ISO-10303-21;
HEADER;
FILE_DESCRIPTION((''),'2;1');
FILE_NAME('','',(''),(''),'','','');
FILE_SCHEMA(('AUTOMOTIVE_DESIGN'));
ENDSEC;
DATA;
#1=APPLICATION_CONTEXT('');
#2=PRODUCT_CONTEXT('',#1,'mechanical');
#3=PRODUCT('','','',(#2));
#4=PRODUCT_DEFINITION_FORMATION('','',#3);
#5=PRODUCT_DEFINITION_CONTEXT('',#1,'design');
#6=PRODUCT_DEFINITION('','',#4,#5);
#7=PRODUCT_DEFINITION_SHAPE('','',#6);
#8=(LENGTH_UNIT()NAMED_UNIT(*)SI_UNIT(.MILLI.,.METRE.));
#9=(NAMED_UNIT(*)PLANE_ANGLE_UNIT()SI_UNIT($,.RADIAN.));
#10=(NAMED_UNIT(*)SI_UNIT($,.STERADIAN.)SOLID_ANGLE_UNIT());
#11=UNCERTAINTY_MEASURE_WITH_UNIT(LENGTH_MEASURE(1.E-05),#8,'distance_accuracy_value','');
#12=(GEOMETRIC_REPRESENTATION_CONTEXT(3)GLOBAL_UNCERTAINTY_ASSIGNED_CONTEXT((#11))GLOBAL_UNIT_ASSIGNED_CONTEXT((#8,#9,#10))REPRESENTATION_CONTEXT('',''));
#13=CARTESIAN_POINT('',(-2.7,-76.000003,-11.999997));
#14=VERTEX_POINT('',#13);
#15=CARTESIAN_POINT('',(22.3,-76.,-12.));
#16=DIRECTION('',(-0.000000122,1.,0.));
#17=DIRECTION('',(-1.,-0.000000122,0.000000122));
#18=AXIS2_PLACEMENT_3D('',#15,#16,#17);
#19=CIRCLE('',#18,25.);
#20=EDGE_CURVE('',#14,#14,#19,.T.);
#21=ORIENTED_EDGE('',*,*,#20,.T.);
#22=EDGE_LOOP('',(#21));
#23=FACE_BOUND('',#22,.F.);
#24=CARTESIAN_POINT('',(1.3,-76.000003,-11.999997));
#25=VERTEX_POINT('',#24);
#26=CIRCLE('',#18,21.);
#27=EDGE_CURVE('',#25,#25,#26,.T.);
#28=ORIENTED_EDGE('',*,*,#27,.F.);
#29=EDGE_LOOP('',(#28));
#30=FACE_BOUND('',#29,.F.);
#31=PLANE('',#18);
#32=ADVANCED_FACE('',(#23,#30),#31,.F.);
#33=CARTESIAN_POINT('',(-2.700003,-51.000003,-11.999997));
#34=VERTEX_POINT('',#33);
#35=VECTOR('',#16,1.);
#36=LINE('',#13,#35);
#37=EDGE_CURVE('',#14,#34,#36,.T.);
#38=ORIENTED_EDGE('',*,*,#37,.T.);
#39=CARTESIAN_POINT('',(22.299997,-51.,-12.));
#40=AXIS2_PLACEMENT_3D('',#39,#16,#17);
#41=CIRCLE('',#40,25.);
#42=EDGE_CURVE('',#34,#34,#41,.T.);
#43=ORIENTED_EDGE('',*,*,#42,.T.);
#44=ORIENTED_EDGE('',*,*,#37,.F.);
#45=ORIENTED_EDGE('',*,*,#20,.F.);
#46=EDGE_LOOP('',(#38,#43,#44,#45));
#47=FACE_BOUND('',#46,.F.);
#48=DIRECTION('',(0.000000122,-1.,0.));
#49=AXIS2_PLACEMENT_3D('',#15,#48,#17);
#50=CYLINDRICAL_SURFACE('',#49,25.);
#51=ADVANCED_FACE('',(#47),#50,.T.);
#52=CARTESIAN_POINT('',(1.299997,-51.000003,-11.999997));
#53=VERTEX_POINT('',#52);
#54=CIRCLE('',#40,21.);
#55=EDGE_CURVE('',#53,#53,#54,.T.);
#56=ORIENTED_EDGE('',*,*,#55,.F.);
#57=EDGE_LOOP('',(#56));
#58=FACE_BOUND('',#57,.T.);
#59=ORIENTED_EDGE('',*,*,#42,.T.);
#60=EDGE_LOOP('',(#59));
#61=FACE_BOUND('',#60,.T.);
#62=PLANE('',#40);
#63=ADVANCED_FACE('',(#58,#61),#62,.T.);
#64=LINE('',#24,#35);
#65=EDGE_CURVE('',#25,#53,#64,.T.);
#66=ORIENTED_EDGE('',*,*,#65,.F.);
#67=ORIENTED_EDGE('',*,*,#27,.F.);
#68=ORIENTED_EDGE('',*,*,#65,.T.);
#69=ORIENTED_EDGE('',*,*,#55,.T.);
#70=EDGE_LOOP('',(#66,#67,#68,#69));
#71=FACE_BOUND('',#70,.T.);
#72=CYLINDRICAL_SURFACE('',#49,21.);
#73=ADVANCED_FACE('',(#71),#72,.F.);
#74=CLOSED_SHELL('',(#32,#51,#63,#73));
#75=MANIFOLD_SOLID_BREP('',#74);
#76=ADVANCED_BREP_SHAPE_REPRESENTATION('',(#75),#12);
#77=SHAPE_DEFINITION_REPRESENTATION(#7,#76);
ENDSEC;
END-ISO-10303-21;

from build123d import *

# Parameters (mm, degrees)
CYLINDER015_R          = 21
CYLINDER015_DEPTH      = 25
CYLINDER016_R          = 25
CYLINDER016_DEPTH      = 25
CUT004_ROLL_ANGLE      = 90
CUT004_PITCH_ANGLE     = -7e-06
CUT004_PLACEMENT_ANGLE = -179.999993


with BuildPart() as cylinder015:
    # Cylinder015 → Cylinder015 (new body)
    with BuildSketch(Plane.XY):
        Circle(CYLINDER015_R)
    extrude(amount=CYLINDER015_DEPTH)


with BuildPart() as cut004:
    # Cylinder016 → Cylinder016 (new body)
    with BuildSketch(Plane.XY):
        Circle(CYLINDER016_R)
    extrude(amount=CYLINDER016_DEPTH)

    # Cut004: cut Cylinder015
    add(cylinder015.part, mode=Mode.SUBTRACT)


with BuildPart() as cut004_1:
    # Cut004 roll: moved
    add(cut004.part.rotate(Axis((0, 0, 0), (1, 0, 0)), CUT004_ROLL_ANGLE))


with BuildPart() as cut004_2:
    # Cut004 pitch: moved
    add(cut004_1.part.rotate(Axis((0, 0, 0), (0, 1, 0)), CUT004_PITCH_ANGLE))


with BuildPart() as cut004_3:
    # Cut004 placement: moved
    add(cut004_2.part.moved(Location((22.3, -76, -12))).rotate(Axis((22.3, -76, -12), (0, 0, 1)), CUT004_PLACEMENT_ANGLE))


solid = cut004_3.part
